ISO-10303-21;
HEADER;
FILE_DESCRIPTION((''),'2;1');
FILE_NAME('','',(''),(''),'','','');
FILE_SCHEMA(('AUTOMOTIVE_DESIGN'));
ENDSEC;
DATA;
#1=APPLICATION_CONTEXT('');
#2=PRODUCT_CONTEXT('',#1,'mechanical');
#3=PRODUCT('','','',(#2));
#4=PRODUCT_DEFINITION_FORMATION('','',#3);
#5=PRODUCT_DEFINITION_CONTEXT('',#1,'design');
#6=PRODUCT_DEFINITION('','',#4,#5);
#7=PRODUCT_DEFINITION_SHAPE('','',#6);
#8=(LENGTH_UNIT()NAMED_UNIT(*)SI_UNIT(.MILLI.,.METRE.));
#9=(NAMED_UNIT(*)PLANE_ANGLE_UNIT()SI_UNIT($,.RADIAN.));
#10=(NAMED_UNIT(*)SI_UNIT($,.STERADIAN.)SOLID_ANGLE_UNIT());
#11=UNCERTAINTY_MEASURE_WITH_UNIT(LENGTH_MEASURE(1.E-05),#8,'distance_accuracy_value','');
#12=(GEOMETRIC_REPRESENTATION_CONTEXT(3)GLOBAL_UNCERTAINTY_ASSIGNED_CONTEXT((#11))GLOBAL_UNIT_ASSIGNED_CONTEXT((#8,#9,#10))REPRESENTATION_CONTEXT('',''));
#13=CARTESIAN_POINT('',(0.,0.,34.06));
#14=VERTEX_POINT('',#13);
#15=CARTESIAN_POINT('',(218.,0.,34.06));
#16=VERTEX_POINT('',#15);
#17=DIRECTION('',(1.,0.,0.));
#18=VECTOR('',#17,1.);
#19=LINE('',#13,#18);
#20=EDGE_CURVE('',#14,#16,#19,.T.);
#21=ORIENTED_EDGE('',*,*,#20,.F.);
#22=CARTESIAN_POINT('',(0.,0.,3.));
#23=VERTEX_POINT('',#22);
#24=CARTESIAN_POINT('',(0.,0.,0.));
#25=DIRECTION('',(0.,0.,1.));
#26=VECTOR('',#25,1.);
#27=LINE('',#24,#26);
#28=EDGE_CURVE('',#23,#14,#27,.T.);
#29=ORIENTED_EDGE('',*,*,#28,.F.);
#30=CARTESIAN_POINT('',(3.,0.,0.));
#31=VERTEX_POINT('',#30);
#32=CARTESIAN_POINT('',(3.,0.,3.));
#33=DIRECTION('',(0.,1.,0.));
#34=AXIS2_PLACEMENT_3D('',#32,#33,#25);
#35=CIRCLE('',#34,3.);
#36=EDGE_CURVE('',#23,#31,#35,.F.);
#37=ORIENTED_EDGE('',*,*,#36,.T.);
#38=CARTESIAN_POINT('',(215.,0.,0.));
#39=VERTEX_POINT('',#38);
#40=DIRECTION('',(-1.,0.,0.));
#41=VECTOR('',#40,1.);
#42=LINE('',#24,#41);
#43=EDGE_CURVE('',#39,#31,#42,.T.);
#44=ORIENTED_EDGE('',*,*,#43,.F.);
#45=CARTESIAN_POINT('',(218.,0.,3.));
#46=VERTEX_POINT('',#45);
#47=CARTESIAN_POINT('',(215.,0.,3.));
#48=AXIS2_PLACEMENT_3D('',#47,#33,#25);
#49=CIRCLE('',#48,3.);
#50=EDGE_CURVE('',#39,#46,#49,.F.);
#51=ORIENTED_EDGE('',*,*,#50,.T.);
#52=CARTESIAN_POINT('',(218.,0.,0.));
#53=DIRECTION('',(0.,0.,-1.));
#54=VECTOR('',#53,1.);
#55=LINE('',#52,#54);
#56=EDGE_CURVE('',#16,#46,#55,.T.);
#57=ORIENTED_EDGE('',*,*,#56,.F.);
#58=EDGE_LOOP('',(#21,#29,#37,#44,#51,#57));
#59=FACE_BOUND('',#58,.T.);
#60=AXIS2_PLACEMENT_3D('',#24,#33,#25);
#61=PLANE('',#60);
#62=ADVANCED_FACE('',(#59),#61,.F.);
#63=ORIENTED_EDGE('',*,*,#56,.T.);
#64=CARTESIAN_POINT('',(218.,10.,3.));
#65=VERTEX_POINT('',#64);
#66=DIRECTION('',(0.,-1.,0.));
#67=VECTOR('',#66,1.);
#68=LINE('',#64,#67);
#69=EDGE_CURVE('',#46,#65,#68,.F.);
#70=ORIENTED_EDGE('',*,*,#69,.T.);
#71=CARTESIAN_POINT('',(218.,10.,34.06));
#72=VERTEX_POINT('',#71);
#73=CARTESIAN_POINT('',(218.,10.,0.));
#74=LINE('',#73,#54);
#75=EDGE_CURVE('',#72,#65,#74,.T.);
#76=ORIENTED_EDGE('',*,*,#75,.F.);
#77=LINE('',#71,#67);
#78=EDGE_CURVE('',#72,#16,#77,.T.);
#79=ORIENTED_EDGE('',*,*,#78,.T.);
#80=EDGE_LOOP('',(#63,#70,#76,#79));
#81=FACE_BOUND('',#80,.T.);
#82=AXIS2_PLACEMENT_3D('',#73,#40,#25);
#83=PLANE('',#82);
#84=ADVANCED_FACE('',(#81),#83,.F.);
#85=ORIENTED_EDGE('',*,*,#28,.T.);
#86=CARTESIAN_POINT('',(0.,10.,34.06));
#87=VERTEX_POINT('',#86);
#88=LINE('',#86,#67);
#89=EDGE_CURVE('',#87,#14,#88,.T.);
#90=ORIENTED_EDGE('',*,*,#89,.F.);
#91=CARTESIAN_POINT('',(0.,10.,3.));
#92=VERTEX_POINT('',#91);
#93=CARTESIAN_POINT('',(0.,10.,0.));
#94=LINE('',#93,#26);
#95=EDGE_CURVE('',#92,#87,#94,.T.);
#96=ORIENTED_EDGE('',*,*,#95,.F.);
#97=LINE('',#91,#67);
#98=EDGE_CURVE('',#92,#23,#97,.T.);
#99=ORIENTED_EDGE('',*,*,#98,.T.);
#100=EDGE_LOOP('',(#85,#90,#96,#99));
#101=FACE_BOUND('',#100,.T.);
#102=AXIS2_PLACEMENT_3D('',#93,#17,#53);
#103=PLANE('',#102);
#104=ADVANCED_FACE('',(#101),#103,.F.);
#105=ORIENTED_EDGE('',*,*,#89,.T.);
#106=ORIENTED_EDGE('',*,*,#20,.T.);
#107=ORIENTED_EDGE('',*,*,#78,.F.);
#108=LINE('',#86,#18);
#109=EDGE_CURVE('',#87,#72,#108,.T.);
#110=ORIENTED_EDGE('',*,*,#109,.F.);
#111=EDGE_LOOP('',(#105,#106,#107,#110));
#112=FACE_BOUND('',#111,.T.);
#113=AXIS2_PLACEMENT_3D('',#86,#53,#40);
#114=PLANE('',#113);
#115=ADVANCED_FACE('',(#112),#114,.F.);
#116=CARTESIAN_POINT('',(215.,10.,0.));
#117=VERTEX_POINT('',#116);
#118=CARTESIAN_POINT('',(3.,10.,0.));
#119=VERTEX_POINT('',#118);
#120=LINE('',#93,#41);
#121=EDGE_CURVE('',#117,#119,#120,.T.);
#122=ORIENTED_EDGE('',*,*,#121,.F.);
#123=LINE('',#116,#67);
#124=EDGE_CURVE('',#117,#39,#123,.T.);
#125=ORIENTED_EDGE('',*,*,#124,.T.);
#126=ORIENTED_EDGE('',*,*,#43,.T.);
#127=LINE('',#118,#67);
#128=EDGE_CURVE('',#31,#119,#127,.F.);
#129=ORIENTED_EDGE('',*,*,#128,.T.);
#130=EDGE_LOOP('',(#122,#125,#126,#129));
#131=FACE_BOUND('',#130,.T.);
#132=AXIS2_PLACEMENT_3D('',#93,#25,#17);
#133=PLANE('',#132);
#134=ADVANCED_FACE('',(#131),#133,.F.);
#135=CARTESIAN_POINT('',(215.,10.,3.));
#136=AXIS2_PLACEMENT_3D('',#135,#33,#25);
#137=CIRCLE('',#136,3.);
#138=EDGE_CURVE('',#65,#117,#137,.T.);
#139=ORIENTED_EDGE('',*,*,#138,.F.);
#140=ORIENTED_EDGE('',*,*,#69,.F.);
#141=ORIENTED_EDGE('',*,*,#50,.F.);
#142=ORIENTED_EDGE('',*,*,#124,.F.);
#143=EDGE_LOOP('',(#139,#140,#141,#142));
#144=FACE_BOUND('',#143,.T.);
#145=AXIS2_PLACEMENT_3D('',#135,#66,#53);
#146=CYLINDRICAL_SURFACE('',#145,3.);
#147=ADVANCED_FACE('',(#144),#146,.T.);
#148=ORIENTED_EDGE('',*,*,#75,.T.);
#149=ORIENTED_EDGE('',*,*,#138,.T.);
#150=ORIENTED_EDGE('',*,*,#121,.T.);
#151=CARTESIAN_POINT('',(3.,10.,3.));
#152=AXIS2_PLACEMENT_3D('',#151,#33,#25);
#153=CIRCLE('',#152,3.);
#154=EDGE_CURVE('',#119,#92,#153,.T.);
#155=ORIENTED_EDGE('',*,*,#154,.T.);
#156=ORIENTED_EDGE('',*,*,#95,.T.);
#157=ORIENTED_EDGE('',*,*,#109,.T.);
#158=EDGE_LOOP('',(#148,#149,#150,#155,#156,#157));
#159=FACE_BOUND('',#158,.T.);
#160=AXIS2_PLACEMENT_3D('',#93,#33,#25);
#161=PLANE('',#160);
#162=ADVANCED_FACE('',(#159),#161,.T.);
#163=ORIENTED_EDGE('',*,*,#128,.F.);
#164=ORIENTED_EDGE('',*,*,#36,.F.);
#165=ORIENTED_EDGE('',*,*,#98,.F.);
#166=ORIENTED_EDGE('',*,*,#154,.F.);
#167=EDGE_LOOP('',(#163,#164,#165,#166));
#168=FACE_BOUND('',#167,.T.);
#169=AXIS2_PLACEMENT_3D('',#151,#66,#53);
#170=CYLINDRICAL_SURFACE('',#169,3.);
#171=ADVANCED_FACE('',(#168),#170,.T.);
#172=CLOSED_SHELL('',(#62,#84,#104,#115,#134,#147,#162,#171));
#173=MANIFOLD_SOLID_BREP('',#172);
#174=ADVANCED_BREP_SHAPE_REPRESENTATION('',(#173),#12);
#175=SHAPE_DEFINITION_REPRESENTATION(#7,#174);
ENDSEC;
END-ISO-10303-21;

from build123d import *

# Parameters (mm, degrees)
SKETCH_1_W      = 218
SKETCH_1_H      = 34.06
EXTRUDE_1_DEPTH = 10
FILLET_1_R      = 3


with BuildPart() as part:
    # 草图1 → 凸台-拉伸1 (new body)
    with BuildSketch(Plane(origin=(0, 0, 0), x_dir=(1, 0, 0), z_dir=(0, 1, 0))):
        with Locations((109, -17.03)):
            Rectangle(SKETCH_1_W, SKETCH_1_H)
    extrude(amount=EXTRUDE_1_DEPTH)

    # 圆角1
    fillet_1_edges = [part.edges().sort_by_distance(p)[0] for p in [
        (0, 5, 0),
        (218, 5, 0),
    ]]
    fillet(fillet_1_edges, radius=FILLET_1_R)


solid = part.part
